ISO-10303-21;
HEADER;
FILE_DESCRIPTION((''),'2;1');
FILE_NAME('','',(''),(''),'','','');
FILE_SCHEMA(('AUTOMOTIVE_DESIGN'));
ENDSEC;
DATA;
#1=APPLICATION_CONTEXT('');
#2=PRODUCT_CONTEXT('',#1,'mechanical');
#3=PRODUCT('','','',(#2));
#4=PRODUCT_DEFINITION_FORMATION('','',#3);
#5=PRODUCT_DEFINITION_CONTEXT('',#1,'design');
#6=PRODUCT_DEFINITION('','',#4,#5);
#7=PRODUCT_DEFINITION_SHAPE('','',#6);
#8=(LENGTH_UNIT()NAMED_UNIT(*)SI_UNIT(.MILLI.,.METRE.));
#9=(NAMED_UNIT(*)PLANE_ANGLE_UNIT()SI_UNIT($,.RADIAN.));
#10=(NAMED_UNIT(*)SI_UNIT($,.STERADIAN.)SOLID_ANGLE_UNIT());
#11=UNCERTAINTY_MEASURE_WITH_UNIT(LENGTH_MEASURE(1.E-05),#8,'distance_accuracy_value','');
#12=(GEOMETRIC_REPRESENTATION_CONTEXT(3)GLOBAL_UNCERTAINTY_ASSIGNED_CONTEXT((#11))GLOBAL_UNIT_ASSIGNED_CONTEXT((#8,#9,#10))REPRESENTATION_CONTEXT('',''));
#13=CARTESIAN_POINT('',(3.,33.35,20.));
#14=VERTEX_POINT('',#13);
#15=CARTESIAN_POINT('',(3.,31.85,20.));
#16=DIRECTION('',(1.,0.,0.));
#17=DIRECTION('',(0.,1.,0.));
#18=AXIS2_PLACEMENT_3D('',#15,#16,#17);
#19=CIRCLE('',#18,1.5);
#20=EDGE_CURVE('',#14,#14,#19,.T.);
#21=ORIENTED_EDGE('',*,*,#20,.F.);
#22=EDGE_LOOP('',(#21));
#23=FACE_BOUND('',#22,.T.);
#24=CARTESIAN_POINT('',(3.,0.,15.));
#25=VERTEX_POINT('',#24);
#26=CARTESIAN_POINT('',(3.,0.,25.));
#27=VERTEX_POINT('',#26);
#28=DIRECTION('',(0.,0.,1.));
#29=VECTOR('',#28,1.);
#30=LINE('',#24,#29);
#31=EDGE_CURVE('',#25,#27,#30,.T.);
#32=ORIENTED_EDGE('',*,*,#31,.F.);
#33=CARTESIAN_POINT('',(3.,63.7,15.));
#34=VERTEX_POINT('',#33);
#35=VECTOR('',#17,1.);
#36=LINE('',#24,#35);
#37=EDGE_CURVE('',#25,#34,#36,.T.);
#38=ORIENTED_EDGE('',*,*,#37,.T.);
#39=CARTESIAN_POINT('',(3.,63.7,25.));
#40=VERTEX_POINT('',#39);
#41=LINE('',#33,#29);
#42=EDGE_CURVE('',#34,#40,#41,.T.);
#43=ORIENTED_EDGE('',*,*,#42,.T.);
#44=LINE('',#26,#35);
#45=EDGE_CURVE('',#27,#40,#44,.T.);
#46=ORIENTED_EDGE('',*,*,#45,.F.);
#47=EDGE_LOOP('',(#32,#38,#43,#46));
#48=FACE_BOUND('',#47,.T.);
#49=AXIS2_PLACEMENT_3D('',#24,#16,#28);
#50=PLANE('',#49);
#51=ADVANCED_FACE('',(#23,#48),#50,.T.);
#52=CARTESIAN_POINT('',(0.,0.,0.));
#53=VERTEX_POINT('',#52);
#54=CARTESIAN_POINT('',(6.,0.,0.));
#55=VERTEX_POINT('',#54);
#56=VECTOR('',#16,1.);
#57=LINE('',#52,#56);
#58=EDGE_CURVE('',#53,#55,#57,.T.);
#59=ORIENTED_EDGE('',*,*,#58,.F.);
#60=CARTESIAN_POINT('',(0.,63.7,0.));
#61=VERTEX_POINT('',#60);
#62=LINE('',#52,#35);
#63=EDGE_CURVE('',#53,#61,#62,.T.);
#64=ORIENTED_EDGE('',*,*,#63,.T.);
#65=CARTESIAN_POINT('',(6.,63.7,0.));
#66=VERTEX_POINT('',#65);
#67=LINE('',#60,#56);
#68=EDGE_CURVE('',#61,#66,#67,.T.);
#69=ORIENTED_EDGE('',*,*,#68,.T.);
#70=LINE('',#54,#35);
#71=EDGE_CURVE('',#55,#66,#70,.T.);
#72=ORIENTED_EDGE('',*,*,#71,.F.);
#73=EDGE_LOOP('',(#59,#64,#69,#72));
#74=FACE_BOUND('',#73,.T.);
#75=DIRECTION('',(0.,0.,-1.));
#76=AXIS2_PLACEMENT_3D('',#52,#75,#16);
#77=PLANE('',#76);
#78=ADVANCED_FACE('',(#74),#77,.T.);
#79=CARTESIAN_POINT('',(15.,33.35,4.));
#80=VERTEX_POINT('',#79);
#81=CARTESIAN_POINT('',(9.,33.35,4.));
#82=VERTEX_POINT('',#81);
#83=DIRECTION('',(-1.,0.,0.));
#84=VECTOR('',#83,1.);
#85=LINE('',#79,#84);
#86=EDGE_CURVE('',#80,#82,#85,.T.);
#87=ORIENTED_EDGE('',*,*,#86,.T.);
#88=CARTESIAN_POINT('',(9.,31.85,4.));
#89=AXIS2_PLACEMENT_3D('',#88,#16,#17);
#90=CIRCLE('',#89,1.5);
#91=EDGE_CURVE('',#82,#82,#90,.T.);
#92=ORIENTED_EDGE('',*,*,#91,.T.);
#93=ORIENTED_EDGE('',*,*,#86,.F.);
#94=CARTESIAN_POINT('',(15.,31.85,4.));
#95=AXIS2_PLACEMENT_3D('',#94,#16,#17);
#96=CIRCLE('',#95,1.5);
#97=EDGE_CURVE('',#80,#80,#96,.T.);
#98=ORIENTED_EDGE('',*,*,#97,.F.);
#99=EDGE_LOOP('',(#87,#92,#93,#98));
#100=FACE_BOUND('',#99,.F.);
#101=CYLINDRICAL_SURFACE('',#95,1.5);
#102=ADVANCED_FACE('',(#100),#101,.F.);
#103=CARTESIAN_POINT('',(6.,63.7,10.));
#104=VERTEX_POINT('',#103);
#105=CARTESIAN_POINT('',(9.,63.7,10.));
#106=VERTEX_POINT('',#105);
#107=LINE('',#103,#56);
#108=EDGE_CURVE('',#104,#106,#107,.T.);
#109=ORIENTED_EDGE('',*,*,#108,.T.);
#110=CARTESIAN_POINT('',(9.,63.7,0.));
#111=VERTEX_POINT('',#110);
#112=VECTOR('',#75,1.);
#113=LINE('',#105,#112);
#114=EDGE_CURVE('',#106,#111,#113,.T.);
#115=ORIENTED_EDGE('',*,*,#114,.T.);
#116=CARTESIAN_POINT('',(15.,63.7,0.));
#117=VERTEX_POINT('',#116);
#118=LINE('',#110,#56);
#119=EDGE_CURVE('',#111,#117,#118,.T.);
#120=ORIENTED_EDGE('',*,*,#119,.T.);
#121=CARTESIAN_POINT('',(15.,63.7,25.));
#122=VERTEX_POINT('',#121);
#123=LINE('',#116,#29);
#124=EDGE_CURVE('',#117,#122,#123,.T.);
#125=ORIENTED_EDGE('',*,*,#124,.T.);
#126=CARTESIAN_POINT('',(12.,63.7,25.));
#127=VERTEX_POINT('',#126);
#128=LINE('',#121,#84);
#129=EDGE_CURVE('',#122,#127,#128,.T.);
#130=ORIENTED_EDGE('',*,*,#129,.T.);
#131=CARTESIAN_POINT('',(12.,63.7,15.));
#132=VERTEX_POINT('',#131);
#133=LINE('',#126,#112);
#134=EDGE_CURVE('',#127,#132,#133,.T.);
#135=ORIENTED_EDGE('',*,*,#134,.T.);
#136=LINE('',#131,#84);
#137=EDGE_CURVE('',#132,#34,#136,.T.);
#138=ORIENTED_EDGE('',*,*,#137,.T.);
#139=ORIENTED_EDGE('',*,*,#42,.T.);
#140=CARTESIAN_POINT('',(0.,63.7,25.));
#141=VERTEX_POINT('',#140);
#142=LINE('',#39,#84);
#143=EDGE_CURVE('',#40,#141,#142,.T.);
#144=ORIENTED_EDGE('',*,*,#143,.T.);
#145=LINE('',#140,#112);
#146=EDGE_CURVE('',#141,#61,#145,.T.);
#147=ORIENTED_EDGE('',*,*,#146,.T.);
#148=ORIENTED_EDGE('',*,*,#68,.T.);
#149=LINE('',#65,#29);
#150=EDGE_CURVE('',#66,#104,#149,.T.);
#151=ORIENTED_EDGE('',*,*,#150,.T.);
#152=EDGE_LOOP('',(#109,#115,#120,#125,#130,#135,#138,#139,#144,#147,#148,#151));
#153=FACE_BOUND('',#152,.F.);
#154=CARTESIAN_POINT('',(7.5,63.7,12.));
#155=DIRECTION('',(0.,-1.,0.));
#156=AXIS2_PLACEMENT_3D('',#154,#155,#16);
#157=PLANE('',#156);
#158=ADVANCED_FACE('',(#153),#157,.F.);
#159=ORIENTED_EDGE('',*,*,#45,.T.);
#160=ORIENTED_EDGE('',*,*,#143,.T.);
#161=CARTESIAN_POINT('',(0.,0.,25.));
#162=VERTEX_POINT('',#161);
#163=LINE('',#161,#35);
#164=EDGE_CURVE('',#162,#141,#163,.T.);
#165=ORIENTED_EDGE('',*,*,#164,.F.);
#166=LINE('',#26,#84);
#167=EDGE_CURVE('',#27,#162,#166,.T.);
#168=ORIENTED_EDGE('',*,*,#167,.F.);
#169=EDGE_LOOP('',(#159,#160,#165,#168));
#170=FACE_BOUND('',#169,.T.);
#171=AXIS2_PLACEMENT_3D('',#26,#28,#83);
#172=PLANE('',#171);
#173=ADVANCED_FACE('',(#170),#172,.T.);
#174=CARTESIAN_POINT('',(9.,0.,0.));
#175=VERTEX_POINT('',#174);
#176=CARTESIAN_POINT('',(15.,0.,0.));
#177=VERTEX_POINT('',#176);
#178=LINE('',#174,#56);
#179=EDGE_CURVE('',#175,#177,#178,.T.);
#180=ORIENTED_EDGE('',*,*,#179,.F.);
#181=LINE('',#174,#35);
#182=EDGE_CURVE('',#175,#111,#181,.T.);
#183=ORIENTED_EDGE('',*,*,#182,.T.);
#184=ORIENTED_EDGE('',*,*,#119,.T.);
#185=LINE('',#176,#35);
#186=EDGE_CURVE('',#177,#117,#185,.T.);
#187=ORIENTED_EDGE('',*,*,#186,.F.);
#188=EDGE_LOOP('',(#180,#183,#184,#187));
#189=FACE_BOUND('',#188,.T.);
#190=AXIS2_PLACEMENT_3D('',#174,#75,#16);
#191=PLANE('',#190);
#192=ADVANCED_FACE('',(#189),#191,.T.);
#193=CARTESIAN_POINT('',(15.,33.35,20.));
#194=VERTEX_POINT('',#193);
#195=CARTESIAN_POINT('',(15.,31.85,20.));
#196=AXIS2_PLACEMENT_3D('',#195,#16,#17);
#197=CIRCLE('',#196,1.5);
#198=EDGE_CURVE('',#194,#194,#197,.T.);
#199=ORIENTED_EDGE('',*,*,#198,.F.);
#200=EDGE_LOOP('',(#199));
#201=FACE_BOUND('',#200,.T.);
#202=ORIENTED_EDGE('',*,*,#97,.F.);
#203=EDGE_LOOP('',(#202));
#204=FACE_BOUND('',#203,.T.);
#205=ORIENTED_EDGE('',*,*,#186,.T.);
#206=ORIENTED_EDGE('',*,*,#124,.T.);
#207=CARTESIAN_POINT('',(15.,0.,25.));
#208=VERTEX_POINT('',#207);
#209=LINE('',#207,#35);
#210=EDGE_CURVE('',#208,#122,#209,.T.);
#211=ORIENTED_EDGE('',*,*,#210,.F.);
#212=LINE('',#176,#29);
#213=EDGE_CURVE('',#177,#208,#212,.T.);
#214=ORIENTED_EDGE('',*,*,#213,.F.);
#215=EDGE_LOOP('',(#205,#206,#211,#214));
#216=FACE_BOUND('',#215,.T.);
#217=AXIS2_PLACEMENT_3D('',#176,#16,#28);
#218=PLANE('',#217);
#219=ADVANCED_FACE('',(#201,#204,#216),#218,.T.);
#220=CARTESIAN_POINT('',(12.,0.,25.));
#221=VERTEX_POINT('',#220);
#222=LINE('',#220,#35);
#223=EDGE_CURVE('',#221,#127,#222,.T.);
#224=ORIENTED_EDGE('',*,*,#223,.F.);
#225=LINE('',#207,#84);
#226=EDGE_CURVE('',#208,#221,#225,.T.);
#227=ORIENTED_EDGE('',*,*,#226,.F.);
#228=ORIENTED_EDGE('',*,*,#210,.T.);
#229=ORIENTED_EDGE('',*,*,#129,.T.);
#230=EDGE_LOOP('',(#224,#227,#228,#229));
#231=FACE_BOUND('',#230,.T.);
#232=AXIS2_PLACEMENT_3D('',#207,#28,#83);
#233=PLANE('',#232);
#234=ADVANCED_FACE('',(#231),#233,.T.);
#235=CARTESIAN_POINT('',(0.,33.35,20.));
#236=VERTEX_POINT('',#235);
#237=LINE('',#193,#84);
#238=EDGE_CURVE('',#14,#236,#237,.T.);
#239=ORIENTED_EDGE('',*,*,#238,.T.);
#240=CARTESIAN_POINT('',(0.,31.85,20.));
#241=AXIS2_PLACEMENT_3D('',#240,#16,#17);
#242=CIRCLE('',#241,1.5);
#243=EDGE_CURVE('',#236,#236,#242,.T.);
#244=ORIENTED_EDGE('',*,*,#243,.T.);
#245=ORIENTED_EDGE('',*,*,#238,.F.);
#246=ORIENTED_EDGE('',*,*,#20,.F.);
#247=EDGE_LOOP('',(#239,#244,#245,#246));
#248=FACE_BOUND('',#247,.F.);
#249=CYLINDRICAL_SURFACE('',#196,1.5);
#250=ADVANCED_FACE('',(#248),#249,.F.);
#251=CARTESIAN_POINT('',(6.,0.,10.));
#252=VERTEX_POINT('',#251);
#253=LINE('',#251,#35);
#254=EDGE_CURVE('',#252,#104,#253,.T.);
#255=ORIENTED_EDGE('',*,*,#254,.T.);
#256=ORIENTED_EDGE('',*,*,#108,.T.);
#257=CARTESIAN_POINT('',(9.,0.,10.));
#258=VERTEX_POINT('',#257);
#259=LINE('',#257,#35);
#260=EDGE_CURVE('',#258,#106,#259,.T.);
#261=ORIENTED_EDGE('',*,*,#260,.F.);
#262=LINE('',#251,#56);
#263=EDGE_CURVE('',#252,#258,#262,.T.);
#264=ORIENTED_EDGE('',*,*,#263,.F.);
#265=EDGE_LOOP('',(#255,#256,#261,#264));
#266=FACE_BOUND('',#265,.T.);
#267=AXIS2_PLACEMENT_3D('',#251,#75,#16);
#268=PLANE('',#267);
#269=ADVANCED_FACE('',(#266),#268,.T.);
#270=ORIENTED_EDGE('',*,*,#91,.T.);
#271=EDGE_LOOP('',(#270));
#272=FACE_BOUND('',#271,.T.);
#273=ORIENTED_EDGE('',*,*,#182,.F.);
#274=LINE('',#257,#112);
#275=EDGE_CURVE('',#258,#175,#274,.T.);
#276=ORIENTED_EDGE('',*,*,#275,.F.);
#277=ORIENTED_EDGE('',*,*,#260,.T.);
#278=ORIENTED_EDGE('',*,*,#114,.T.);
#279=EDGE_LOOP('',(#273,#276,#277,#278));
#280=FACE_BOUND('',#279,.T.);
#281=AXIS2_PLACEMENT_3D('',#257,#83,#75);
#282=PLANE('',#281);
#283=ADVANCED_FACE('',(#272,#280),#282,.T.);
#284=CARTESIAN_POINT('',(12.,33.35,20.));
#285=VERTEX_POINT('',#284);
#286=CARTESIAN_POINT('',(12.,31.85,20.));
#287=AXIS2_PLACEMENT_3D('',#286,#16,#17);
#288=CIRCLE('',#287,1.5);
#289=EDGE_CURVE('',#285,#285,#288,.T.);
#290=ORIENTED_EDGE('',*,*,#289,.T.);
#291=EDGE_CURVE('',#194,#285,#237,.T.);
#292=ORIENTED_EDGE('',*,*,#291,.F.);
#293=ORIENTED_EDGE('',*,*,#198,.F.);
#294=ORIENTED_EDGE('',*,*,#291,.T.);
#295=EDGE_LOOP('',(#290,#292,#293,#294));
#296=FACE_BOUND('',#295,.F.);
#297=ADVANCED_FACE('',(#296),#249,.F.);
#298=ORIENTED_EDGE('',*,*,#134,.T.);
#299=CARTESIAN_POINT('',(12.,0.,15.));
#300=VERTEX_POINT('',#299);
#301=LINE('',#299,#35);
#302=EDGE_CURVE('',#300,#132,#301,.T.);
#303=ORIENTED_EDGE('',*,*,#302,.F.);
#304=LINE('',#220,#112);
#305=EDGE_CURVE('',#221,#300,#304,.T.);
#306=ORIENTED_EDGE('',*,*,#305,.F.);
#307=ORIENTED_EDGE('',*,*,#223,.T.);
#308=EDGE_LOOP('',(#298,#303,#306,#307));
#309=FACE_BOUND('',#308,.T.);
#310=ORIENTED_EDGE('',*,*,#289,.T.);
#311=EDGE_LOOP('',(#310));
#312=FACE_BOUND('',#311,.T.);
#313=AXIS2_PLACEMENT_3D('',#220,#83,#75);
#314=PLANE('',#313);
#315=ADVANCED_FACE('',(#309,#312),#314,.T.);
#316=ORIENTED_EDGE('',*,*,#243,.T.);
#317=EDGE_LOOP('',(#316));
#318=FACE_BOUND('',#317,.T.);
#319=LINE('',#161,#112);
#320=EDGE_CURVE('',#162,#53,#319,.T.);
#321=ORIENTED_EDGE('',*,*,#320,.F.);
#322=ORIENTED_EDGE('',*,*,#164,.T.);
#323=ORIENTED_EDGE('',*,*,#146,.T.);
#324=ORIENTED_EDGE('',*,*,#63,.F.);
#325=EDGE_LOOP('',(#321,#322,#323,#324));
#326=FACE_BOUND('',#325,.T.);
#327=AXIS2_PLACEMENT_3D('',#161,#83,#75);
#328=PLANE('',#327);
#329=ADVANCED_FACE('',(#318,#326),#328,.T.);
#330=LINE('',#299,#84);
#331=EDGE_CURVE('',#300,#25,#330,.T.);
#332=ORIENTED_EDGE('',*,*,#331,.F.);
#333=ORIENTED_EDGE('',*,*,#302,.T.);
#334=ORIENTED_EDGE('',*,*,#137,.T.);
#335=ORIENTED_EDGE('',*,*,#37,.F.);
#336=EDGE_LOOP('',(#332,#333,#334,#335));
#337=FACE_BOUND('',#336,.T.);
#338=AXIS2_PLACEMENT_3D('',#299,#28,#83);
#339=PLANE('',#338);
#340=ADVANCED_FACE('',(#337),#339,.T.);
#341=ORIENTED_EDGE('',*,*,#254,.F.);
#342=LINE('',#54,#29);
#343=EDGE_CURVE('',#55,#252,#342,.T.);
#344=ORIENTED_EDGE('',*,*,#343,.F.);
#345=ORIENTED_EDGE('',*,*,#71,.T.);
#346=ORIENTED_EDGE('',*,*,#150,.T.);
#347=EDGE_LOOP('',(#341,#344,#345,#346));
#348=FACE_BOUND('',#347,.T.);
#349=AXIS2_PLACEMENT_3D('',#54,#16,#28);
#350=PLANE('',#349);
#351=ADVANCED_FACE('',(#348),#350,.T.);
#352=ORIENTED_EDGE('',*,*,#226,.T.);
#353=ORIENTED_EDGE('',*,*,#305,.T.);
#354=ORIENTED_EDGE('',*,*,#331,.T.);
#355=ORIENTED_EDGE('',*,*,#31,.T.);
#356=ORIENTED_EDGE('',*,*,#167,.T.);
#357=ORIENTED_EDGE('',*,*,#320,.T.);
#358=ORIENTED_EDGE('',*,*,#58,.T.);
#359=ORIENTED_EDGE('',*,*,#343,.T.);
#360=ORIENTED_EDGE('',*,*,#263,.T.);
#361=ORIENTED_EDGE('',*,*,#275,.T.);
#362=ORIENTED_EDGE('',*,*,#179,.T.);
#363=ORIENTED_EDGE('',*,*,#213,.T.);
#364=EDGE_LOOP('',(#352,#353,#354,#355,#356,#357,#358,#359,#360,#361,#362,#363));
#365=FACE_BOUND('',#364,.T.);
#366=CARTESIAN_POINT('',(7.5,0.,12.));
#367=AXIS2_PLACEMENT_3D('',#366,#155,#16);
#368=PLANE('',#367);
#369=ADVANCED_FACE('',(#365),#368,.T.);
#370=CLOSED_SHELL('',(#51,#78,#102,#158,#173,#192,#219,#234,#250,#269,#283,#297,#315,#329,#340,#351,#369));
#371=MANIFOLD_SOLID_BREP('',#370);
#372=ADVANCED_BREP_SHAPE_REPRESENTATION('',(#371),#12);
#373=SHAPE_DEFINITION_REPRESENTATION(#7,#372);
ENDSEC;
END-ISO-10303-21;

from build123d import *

# Parameters (mm, degrees)
F1_DEPTH = 63.7
F2_R     = 1.5
F3_DEPTH = 25
F4_DEPTH = 8


with BuildPart() as f1:
    # F0 (on Front) → F1 (new body)
    with BuildSketch(Plane.XZ):
        Polygon((0, 25), (0, 0), (6, 0), (6, 10), (9, 10), (9, 0), (15, 0), (15, 25), (12, 25), (12, 15), (3, 15), (3, 25), align=None)
    extrude(amount=-F1_DEPTH)

    # F2 (on face) → F3 (cut)
    with BuildSketch(Plane.YZ.offset(15)):
        with Locations((31.85, 20)):
            Circle(F2_R)
    extrude(amount=-F3_DEPTH, mode=Mode.SUBTRACT)

    # F2 (on face) → F4 (cut)
    with BuildSketch(Plane.YZ.offset(15)):
        with Locations((31.85, 4)):
            Circle(F2_R)
    extrude(amount=-F4_DEPTH, mode=Mode.SUBTRACT)


solid = f1.part
